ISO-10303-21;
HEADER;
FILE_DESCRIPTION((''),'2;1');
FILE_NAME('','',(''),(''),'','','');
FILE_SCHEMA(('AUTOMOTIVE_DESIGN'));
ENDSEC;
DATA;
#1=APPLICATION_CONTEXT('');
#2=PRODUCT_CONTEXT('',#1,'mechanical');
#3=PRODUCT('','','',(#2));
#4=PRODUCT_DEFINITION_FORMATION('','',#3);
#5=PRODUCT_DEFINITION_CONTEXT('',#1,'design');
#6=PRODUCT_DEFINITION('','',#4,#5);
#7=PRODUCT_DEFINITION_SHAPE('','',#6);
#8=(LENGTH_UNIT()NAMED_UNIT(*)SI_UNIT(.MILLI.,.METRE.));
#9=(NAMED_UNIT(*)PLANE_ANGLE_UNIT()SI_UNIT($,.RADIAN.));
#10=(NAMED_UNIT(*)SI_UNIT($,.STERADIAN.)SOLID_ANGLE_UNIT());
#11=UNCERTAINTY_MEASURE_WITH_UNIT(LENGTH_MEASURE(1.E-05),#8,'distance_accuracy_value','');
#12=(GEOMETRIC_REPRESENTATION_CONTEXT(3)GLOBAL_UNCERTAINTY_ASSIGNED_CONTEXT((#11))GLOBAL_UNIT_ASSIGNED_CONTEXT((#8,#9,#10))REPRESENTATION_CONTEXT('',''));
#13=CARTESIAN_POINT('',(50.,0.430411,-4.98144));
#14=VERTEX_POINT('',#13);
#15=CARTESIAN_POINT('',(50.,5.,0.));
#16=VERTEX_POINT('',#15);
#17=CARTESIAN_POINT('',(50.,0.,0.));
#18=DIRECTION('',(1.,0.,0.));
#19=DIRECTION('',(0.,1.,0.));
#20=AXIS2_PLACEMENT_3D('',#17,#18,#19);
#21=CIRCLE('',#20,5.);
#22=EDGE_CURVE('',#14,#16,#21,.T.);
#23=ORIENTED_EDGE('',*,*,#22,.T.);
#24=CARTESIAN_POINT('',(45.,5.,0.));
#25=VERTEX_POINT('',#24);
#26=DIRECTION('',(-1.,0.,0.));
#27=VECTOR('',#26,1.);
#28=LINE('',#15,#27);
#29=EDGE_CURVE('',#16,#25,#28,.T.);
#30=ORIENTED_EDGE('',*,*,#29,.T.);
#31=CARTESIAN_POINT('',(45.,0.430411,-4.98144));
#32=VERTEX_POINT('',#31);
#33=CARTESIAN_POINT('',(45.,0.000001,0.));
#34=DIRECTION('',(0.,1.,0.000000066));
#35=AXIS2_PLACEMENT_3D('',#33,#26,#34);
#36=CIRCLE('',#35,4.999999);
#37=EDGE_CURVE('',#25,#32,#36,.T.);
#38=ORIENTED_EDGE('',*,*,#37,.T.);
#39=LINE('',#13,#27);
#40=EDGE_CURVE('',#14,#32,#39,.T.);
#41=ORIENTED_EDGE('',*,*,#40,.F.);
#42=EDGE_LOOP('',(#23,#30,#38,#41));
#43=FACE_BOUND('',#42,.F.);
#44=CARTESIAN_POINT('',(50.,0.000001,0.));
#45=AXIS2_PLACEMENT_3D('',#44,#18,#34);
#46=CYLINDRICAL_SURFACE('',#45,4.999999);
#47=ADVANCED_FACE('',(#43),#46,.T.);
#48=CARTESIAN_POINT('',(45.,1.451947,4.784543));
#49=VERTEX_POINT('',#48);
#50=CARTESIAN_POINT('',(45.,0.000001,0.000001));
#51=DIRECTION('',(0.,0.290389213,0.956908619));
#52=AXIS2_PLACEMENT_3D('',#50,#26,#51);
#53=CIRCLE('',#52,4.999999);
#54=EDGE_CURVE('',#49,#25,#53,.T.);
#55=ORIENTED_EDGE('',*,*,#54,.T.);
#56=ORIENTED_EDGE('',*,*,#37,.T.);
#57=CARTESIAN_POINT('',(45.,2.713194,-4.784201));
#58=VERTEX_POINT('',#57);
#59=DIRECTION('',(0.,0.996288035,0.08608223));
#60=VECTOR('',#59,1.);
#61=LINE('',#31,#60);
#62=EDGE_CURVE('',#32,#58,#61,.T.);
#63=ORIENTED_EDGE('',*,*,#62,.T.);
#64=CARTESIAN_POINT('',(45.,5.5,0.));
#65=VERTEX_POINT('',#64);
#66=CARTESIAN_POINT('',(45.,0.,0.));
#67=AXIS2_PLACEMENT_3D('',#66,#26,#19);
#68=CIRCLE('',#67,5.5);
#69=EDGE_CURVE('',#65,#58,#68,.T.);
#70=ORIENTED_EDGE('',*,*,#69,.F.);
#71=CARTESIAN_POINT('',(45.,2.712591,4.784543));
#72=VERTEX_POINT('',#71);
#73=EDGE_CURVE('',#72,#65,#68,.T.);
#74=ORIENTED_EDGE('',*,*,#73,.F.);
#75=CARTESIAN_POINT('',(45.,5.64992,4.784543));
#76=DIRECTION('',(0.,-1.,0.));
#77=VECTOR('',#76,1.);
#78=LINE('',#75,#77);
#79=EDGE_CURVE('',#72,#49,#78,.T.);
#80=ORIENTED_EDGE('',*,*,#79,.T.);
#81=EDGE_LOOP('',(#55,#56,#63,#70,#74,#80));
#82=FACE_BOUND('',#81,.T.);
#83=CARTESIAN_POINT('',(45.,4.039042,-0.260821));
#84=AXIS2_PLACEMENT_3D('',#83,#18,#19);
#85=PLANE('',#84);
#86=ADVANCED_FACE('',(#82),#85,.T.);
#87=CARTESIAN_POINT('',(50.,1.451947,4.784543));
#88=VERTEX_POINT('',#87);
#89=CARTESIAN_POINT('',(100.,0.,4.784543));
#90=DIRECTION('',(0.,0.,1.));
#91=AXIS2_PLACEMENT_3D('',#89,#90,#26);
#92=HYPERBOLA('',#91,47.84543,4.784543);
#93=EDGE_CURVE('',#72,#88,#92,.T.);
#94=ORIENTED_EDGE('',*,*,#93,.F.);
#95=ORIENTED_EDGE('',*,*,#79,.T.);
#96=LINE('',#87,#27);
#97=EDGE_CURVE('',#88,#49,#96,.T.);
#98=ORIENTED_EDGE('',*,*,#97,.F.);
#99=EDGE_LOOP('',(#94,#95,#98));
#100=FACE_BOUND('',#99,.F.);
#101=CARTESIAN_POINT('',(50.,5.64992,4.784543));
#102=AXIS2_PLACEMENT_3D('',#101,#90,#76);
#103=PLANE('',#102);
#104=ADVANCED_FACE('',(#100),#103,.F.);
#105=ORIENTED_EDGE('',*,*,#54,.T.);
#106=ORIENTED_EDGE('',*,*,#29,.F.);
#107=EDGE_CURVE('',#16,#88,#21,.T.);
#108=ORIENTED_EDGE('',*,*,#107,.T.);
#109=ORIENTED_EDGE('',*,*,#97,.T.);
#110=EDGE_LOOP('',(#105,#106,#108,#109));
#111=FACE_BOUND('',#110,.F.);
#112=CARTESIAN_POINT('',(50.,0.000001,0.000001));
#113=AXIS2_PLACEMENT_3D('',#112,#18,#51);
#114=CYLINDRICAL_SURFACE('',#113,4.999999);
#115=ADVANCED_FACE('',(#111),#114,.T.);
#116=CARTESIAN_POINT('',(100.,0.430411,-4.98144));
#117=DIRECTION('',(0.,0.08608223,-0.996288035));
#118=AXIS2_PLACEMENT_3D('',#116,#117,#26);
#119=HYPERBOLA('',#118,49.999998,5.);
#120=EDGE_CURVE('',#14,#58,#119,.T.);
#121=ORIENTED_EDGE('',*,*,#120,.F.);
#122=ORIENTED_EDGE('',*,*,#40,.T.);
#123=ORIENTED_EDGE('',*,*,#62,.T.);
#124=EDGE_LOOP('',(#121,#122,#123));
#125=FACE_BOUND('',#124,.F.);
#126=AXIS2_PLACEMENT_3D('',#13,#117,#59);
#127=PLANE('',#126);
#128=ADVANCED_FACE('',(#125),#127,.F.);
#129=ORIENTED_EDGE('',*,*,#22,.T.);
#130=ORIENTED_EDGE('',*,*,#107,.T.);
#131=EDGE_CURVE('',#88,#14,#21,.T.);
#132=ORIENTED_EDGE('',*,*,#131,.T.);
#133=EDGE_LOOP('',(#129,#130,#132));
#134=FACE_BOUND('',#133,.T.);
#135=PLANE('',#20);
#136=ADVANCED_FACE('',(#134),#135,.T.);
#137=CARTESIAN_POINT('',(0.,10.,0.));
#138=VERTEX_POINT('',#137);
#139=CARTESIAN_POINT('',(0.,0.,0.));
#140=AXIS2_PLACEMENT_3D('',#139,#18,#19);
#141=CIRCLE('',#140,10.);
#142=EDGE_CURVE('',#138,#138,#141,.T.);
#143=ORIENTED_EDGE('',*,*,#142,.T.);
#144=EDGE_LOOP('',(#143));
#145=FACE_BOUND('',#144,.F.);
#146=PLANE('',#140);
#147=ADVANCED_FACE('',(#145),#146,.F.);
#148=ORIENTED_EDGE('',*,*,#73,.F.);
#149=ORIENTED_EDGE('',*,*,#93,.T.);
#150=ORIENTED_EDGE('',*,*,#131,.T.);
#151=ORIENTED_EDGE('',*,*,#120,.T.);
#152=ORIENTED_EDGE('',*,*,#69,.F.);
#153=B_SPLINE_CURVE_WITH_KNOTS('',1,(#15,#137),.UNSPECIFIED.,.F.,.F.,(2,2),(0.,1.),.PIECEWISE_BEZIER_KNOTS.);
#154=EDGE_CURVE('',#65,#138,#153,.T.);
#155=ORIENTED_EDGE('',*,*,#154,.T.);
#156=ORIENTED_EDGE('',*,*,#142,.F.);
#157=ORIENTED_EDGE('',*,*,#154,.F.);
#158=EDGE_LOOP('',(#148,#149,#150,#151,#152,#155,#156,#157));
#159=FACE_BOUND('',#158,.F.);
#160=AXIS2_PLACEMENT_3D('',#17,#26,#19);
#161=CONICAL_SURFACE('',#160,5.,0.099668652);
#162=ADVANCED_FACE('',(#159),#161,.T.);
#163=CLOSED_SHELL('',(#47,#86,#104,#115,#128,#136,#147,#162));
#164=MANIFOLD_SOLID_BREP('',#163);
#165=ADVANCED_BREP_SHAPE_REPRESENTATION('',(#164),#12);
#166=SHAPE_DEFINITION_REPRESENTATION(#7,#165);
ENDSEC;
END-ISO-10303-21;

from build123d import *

# Parameters (mm, degrees)
F1_R     = 5
F2_R     = 10
F5_DEPTH = 5


with BuildPart() as f3:
    # F1 (on offset) → F3 section 0
    with BuildSketch(Plane.YZ.offset(50)):
        Circle(F1_R)
    # F2 (on Right) → F3 section 1
    with BuildSketch(Plane.YZ):
        Circle(F2_R)
    loft()

    # F4 (on face) → F5 (cut)
    with BuildSketch(Plane.YZ.offset(50)):
        with BuildLine():
            Line((5.64992, 4.784543), (1.451947, 4.784543))
            ThreePointArc((1.451947, 4.784543), (4.016201, 2.978277), (5, 0))
            ThreePointArc((5, 0), (3.684566, -3.379937), (0.430411, -4.98144))
            Line((0.430411, -4.98144), (5.64992, -4.530459))
            Line((5.64992, -4.530459), (5.64992, 3.919373))
            Line((5.64992, 3.919373), (5.64992, 4.784543))
        make_face()
    extrude(amount=-F5_DEPTH, mode=Mode.SUBTRACT)


solid = f3.part
